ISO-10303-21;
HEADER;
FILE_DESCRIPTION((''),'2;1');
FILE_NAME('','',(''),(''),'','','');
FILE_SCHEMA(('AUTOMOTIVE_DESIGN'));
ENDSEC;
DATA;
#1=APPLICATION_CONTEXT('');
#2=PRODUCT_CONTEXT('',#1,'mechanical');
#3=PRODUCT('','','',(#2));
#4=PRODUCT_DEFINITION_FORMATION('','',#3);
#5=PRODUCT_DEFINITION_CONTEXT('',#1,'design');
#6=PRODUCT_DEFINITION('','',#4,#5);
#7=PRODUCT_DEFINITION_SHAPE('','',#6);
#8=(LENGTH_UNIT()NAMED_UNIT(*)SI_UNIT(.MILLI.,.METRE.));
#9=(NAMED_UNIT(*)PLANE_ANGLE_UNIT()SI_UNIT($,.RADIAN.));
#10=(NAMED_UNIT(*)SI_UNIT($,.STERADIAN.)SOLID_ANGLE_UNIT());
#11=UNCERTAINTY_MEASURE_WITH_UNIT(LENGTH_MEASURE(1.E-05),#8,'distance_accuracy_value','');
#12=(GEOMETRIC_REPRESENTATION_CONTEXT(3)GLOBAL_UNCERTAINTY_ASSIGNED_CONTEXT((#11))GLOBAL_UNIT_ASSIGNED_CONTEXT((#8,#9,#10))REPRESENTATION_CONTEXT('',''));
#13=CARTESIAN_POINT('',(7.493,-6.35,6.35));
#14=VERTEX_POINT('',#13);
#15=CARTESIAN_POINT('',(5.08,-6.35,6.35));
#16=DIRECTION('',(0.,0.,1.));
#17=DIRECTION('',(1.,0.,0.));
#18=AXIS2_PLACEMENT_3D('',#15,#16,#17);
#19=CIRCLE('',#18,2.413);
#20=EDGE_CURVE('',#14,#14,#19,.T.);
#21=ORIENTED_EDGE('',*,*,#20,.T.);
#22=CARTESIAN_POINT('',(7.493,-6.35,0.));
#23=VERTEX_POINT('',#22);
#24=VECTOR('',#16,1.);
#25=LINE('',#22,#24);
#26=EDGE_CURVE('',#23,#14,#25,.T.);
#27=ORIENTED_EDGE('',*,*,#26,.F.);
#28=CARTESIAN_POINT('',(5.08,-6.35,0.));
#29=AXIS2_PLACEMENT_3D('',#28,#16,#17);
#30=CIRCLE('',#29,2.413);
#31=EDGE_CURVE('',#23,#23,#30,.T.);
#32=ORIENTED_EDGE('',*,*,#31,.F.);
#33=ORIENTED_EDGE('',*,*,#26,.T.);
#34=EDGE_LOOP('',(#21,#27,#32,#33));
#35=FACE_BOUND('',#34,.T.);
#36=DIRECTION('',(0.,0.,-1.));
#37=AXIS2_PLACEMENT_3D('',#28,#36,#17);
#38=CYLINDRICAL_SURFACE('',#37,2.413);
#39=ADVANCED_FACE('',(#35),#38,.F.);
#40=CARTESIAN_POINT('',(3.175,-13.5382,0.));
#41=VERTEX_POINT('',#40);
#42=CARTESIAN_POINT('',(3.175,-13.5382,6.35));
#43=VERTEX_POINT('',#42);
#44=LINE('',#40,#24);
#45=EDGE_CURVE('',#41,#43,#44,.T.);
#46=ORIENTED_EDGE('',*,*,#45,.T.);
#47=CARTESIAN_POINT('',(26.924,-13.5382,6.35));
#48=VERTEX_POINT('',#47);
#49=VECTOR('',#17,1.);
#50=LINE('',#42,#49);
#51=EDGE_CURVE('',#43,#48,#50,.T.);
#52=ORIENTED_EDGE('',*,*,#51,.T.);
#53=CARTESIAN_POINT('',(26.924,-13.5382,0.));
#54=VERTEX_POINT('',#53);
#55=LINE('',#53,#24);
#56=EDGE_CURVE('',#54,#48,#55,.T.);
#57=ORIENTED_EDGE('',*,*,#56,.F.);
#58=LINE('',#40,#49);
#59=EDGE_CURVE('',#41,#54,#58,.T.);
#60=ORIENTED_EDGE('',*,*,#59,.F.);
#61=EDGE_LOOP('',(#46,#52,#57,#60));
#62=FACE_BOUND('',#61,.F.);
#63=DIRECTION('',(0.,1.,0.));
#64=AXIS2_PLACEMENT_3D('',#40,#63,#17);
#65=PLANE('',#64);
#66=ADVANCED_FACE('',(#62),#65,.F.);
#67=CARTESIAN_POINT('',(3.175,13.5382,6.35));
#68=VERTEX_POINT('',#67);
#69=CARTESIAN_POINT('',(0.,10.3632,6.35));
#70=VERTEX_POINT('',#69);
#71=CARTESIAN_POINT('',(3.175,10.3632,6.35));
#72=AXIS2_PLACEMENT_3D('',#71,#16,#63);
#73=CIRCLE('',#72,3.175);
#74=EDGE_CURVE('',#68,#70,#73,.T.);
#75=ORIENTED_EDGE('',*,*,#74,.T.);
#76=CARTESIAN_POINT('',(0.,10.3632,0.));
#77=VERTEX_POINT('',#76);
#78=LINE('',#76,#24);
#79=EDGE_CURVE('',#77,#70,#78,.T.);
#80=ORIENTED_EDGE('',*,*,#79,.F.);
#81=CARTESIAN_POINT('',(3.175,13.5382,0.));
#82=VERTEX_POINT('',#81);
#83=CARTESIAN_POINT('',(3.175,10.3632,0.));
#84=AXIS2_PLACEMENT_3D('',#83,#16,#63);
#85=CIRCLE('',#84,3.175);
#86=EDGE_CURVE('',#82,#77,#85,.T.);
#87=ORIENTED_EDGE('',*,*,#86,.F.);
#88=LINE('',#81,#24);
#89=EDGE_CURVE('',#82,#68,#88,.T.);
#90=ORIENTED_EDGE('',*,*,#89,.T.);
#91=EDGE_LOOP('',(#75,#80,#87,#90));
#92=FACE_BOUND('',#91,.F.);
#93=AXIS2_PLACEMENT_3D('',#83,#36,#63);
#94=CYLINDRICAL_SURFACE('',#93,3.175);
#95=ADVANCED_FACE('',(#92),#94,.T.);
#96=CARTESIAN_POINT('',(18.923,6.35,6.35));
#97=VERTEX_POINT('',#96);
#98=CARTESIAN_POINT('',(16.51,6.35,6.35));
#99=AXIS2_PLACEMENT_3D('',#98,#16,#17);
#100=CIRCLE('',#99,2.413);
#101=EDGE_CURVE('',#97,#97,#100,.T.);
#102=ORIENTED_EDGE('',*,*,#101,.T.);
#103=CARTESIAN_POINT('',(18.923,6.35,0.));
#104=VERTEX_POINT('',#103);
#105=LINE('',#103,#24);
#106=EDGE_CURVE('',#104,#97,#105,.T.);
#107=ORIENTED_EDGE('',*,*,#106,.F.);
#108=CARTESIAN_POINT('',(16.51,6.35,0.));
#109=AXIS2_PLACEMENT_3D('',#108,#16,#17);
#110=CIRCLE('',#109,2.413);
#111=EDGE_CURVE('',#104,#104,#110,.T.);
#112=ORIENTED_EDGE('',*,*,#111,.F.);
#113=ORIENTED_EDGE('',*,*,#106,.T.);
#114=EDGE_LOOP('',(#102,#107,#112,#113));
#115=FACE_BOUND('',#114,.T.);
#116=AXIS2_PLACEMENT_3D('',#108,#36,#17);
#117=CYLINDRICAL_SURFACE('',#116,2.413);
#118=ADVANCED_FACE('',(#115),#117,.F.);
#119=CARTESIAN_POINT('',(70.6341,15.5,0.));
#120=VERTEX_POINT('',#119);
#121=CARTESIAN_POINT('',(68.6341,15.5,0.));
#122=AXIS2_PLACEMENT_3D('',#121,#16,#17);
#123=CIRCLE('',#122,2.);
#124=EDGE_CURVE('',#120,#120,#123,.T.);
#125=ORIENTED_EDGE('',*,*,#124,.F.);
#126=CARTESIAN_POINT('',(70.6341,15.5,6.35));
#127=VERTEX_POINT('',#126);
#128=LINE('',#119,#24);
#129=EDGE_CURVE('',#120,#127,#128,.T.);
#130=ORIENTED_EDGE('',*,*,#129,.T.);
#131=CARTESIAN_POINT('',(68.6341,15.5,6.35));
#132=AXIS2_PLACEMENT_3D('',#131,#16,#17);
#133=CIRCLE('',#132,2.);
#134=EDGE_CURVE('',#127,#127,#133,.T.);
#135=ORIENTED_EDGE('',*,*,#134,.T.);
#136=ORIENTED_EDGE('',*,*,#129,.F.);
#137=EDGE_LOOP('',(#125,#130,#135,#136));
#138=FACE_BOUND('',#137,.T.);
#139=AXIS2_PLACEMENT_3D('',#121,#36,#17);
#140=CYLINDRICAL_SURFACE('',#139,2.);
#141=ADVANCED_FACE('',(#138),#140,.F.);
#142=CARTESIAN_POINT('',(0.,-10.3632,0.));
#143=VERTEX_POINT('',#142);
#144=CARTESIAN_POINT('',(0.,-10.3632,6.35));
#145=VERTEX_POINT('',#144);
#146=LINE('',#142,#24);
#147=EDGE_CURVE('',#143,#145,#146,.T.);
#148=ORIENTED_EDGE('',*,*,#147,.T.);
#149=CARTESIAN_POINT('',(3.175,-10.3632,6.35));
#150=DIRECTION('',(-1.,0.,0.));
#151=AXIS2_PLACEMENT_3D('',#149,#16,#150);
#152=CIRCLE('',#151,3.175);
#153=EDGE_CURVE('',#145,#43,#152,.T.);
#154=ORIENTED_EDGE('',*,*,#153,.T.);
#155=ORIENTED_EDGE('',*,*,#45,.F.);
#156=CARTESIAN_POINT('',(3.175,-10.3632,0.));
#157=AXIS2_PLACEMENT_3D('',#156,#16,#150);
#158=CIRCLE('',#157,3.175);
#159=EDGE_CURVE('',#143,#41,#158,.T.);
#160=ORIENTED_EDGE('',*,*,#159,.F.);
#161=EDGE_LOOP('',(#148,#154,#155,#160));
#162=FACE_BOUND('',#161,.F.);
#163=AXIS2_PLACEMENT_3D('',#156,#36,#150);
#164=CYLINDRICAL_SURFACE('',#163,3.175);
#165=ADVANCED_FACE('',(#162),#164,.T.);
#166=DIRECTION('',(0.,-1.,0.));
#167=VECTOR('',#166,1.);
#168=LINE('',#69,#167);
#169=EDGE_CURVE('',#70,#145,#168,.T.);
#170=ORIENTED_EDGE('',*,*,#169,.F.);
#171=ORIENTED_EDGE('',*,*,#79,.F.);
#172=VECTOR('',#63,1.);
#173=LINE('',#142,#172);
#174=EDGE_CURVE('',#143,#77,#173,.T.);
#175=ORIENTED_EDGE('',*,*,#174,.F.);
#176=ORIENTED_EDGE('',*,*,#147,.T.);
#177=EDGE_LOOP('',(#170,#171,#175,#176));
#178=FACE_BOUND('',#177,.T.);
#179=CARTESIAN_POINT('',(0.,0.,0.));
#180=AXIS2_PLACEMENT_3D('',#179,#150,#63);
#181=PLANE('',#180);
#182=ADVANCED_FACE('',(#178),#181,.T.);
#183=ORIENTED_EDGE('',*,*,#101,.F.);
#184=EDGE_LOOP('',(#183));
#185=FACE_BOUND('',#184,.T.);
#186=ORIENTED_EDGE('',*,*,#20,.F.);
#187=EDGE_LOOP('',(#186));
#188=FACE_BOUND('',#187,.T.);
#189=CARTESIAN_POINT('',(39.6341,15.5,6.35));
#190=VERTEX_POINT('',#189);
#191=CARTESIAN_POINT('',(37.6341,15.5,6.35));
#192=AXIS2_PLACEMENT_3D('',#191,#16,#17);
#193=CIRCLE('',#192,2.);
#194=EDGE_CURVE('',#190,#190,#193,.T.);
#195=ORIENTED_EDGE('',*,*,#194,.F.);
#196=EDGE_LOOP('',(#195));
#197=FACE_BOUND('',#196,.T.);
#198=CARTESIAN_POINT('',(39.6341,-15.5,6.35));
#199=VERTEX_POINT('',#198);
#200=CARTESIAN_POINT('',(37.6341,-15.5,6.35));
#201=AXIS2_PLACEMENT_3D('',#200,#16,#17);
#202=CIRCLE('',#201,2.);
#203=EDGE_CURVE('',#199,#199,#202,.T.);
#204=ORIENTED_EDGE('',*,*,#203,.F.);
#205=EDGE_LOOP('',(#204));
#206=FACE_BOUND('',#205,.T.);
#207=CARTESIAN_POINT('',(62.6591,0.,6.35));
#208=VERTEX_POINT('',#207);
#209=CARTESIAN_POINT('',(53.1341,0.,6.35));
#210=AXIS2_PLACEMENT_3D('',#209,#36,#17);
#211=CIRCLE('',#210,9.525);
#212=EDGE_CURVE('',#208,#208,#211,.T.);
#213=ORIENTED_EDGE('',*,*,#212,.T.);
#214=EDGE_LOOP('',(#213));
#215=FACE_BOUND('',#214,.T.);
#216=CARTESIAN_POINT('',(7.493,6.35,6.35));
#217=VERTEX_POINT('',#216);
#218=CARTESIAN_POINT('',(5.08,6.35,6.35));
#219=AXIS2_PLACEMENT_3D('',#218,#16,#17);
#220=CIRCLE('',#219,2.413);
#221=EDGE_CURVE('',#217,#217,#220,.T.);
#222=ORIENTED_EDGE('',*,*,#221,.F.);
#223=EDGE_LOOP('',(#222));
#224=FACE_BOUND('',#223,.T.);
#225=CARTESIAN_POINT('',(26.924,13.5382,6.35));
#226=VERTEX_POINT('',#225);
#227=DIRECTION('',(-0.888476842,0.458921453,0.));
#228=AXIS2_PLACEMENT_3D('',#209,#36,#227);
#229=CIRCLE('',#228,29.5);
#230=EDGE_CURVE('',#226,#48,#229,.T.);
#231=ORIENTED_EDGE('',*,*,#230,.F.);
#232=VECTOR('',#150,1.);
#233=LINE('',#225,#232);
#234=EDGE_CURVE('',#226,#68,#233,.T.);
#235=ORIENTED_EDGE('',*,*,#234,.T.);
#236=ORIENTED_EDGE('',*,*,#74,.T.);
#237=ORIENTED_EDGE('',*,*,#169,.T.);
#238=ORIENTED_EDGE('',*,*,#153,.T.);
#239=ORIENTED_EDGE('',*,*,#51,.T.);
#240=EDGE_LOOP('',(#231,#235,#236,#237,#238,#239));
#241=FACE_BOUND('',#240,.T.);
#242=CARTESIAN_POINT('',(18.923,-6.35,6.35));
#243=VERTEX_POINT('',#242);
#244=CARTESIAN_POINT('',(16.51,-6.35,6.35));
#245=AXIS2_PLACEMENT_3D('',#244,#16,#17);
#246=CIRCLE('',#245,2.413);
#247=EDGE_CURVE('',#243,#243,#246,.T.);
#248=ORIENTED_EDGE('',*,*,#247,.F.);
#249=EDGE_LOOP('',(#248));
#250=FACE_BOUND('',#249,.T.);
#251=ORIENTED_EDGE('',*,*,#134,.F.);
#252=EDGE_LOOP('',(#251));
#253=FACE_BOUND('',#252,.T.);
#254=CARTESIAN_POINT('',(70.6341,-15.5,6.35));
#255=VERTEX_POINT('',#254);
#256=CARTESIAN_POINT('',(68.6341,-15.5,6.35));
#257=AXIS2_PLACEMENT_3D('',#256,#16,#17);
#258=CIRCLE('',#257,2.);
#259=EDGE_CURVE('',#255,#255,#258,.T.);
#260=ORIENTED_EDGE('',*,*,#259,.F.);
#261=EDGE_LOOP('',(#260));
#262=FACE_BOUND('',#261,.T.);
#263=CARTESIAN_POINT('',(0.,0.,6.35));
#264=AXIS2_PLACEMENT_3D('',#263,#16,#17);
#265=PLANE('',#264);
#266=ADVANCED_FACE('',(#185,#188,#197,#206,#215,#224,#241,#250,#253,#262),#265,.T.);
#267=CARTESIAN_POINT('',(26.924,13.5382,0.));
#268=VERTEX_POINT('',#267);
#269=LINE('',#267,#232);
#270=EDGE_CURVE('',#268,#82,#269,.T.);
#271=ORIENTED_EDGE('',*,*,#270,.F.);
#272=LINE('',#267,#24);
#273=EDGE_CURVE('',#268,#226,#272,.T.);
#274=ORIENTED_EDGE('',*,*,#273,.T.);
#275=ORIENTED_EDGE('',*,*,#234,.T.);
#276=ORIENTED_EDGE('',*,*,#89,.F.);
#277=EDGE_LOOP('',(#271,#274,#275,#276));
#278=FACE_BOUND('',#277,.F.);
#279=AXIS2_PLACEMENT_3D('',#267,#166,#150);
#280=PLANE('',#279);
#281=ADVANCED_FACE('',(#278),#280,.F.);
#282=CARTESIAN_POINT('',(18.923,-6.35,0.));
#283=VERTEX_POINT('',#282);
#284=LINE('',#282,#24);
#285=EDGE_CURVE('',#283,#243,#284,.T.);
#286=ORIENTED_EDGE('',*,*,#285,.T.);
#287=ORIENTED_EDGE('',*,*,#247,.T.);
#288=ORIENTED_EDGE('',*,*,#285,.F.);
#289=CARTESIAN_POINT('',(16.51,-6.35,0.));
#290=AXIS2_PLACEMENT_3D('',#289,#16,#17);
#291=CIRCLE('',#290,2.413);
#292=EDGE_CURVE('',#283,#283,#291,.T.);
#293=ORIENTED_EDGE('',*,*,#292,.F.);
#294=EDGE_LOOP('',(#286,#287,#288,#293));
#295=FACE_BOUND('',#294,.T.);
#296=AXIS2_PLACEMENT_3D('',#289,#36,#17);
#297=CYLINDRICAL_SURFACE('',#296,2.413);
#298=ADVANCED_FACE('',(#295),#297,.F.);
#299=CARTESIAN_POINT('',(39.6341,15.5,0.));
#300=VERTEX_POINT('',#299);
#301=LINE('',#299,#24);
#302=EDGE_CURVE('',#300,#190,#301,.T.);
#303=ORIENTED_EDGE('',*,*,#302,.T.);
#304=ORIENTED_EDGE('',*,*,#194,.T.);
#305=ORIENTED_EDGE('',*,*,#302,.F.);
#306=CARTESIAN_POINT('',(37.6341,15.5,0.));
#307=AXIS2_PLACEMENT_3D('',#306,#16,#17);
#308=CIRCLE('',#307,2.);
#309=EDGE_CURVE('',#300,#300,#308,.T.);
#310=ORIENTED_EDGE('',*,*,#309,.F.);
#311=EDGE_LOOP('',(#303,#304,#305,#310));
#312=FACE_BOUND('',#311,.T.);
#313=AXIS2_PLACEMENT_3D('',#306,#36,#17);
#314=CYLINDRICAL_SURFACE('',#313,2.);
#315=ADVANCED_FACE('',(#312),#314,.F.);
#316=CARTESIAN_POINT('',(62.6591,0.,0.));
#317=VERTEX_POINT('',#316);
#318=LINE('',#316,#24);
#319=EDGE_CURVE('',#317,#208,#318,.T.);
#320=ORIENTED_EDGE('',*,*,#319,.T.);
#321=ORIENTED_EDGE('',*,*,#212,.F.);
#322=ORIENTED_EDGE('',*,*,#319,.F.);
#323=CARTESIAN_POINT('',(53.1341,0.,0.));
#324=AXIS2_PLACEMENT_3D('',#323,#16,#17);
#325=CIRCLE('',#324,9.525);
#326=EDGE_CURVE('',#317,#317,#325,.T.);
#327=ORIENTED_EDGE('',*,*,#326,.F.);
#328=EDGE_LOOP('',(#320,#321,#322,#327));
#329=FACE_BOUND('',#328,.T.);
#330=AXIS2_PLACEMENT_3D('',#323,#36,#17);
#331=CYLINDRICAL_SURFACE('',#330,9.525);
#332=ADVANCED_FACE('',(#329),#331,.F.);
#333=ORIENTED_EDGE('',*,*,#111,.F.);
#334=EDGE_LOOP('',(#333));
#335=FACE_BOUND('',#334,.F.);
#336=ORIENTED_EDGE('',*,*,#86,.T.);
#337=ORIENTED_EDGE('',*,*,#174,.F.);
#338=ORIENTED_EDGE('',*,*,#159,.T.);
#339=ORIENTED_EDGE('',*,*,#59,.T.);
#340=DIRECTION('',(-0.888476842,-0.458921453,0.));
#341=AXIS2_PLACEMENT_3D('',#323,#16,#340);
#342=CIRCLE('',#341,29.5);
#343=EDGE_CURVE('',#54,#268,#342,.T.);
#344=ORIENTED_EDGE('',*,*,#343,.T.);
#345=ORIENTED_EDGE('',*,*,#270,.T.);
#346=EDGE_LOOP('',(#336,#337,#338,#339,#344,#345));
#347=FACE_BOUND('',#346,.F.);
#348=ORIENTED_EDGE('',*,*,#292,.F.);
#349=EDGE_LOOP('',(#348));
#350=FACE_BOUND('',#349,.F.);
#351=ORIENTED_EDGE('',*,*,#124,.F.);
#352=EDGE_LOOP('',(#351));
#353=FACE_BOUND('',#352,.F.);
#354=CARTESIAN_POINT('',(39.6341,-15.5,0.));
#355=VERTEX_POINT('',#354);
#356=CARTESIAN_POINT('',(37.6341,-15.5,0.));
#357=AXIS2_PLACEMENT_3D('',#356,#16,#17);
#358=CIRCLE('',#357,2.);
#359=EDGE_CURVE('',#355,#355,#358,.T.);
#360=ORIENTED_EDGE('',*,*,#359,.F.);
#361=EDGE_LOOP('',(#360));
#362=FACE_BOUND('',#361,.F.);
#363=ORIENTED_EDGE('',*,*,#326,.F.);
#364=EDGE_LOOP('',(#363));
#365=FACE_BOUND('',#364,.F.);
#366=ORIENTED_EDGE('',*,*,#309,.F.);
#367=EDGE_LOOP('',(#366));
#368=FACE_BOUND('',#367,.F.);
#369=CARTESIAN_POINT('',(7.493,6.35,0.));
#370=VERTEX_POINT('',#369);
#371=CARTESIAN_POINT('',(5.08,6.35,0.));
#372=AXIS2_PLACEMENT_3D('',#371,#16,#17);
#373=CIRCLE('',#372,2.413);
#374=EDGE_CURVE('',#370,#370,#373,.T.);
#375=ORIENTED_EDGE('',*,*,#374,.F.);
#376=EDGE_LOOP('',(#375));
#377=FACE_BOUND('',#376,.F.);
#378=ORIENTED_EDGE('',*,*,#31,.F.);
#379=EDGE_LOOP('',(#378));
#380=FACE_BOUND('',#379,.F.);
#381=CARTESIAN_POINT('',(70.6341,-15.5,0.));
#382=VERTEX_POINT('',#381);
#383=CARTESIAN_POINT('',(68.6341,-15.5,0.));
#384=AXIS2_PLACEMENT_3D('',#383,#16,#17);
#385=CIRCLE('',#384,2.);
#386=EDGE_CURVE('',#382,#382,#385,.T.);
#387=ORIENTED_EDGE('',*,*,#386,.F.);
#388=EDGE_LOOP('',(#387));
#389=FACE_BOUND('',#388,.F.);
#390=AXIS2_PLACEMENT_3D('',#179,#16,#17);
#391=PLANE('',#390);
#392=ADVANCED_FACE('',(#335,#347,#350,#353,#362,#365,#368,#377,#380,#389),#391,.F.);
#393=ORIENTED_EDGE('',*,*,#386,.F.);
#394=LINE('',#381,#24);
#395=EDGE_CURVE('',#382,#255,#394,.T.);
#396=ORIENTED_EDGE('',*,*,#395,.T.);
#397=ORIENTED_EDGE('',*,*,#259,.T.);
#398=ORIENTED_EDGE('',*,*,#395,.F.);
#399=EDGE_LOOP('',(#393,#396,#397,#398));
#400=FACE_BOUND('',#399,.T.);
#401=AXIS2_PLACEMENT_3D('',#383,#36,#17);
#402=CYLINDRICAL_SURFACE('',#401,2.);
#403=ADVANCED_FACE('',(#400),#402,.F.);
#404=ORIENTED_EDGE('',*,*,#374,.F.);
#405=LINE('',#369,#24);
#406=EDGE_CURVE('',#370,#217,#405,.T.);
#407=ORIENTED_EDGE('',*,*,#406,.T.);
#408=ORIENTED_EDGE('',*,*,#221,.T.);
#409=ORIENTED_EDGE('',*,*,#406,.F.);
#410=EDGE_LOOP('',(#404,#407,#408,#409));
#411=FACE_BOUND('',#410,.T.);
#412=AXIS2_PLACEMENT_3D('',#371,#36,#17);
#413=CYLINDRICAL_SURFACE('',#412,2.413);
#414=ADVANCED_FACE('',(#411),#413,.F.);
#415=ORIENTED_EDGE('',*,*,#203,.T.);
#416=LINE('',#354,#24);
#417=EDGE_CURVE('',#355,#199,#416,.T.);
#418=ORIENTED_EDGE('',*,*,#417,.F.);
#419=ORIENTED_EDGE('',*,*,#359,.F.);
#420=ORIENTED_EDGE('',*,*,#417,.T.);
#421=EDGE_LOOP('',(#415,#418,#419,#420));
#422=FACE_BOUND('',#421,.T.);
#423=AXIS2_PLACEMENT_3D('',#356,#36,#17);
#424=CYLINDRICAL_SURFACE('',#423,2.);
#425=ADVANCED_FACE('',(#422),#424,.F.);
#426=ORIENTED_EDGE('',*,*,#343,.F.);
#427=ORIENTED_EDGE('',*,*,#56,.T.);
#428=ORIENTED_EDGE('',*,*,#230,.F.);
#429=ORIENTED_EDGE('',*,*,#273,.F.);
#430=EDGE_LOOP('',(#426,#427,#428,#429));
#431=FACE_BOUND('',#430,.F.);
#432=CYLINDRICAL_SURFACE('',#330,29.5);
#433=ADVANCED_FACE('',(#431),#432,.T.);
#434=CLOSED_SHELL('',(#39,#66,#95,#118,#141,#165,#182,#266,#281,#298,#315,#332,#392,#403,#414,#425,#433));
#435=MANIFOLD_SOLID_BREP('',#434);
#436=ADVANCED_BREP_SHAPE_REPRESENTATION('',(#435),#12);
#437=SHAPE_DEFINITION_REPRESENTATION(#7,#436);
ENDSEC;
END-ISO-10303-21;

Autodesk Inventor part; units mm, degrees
ref_plane "YZ Plane" through (0, 0, 0) normal (1, 0, 0) x (0, 1, 0)
ref_plane "XZ Plane" through (0, 0, 0) normal (0, 1, 0) x (-1, 0, 0)
ref_plane "XY Plane" through (0, 0, 0) normal (0, 0, 1) x (1, 0, 0)
sketch "Sketch1" plane through (0, 0, 0) normal (0, 0, 1) x (1, 0, 0)
  line L0 (-17.3159, 0) -> (99.2924, 0) projected
  line L1 (0, -41.3) -> (0, 41.3) projected
  circle A0 centre (53.1341, 0) radius 29.5
  line L2 (26.924, 13.5382) -> (3.175, 13.5382)
  line L3 (0, 10.3632) -> (0, -10.3632)
  line L4 (3.175, -13.5382) -> (26.924, -13.5382)
  arc A1 (3.175, 13.5382) -> (0, 10.3632) centre (3.175, 10.3632) ccw
  arc A2 (0, -10.3632) -> (3.175, -13.5382) centre (3.175, -10.3632) ccw
  circle A3 centre (5.08, 6.35) radius 2.413
  circle A4 centre (16.51, 6.35) radius 2.413
  circle A5 centre (5.08, -6.35) radius 2.413
  circle A6 centre (16.51, -6.35) radius 2.413
  circle A7 centre (37.6341, 15.5) radius 2
  circle A8 centre (68.6341, 15.5) radius 2
  circle A9 centre (68.6341, -15.5) radius 2
  circle A10 centre (37.6341, -15.5) radius 2
  line L5 (73.9937, 20.8597) -> (32.2744, -20.8597) construction
  line L6 (32.2744, 20.8597) -> (73.9937, -20.8597) construction
  circle A11 centre (53.1341, 0) radius 9.525
  point P0 (0, 0)
  point P1 (0, -13.5382)
  dimension "d0" = 59
  dimension "d2" = 3.175
  dimension "d9" = 20.7264
  dimension "d10" = 4.826
  dimension "d15" = 11.43
  dimension "d18" = 12.7
  dimension "d21" = 4
  dimension "d23" = 4
  dimension "d24" = 4
  dimension "d25" = 4
  dimension "d26" = 45
  dimension "d45" = 19.05
  dimension "d48" = 31
  dimension "d49" = 31
  dimension "d50" = 31
  dimension "d51" = 5.08
  dimension "d52" = 26.924
  dimension "d53" = 15.5
extrude "plate" add sketch "Sketch1" along normal blind 6.35
extrude "motor hole" cut sketch "Sketch1" along normal blind 25.4 contours A11 L0 | L0 A11
equation "\"d21\" = bolt_holes"
equation "\"d23\" = bolt_holes"
equation "\"d24\" = bolt_holes"
equation "\"d25\" = bolt_holes"
equation "\"bolt_holes\" = 4"
properties part number "motormount3_B"
